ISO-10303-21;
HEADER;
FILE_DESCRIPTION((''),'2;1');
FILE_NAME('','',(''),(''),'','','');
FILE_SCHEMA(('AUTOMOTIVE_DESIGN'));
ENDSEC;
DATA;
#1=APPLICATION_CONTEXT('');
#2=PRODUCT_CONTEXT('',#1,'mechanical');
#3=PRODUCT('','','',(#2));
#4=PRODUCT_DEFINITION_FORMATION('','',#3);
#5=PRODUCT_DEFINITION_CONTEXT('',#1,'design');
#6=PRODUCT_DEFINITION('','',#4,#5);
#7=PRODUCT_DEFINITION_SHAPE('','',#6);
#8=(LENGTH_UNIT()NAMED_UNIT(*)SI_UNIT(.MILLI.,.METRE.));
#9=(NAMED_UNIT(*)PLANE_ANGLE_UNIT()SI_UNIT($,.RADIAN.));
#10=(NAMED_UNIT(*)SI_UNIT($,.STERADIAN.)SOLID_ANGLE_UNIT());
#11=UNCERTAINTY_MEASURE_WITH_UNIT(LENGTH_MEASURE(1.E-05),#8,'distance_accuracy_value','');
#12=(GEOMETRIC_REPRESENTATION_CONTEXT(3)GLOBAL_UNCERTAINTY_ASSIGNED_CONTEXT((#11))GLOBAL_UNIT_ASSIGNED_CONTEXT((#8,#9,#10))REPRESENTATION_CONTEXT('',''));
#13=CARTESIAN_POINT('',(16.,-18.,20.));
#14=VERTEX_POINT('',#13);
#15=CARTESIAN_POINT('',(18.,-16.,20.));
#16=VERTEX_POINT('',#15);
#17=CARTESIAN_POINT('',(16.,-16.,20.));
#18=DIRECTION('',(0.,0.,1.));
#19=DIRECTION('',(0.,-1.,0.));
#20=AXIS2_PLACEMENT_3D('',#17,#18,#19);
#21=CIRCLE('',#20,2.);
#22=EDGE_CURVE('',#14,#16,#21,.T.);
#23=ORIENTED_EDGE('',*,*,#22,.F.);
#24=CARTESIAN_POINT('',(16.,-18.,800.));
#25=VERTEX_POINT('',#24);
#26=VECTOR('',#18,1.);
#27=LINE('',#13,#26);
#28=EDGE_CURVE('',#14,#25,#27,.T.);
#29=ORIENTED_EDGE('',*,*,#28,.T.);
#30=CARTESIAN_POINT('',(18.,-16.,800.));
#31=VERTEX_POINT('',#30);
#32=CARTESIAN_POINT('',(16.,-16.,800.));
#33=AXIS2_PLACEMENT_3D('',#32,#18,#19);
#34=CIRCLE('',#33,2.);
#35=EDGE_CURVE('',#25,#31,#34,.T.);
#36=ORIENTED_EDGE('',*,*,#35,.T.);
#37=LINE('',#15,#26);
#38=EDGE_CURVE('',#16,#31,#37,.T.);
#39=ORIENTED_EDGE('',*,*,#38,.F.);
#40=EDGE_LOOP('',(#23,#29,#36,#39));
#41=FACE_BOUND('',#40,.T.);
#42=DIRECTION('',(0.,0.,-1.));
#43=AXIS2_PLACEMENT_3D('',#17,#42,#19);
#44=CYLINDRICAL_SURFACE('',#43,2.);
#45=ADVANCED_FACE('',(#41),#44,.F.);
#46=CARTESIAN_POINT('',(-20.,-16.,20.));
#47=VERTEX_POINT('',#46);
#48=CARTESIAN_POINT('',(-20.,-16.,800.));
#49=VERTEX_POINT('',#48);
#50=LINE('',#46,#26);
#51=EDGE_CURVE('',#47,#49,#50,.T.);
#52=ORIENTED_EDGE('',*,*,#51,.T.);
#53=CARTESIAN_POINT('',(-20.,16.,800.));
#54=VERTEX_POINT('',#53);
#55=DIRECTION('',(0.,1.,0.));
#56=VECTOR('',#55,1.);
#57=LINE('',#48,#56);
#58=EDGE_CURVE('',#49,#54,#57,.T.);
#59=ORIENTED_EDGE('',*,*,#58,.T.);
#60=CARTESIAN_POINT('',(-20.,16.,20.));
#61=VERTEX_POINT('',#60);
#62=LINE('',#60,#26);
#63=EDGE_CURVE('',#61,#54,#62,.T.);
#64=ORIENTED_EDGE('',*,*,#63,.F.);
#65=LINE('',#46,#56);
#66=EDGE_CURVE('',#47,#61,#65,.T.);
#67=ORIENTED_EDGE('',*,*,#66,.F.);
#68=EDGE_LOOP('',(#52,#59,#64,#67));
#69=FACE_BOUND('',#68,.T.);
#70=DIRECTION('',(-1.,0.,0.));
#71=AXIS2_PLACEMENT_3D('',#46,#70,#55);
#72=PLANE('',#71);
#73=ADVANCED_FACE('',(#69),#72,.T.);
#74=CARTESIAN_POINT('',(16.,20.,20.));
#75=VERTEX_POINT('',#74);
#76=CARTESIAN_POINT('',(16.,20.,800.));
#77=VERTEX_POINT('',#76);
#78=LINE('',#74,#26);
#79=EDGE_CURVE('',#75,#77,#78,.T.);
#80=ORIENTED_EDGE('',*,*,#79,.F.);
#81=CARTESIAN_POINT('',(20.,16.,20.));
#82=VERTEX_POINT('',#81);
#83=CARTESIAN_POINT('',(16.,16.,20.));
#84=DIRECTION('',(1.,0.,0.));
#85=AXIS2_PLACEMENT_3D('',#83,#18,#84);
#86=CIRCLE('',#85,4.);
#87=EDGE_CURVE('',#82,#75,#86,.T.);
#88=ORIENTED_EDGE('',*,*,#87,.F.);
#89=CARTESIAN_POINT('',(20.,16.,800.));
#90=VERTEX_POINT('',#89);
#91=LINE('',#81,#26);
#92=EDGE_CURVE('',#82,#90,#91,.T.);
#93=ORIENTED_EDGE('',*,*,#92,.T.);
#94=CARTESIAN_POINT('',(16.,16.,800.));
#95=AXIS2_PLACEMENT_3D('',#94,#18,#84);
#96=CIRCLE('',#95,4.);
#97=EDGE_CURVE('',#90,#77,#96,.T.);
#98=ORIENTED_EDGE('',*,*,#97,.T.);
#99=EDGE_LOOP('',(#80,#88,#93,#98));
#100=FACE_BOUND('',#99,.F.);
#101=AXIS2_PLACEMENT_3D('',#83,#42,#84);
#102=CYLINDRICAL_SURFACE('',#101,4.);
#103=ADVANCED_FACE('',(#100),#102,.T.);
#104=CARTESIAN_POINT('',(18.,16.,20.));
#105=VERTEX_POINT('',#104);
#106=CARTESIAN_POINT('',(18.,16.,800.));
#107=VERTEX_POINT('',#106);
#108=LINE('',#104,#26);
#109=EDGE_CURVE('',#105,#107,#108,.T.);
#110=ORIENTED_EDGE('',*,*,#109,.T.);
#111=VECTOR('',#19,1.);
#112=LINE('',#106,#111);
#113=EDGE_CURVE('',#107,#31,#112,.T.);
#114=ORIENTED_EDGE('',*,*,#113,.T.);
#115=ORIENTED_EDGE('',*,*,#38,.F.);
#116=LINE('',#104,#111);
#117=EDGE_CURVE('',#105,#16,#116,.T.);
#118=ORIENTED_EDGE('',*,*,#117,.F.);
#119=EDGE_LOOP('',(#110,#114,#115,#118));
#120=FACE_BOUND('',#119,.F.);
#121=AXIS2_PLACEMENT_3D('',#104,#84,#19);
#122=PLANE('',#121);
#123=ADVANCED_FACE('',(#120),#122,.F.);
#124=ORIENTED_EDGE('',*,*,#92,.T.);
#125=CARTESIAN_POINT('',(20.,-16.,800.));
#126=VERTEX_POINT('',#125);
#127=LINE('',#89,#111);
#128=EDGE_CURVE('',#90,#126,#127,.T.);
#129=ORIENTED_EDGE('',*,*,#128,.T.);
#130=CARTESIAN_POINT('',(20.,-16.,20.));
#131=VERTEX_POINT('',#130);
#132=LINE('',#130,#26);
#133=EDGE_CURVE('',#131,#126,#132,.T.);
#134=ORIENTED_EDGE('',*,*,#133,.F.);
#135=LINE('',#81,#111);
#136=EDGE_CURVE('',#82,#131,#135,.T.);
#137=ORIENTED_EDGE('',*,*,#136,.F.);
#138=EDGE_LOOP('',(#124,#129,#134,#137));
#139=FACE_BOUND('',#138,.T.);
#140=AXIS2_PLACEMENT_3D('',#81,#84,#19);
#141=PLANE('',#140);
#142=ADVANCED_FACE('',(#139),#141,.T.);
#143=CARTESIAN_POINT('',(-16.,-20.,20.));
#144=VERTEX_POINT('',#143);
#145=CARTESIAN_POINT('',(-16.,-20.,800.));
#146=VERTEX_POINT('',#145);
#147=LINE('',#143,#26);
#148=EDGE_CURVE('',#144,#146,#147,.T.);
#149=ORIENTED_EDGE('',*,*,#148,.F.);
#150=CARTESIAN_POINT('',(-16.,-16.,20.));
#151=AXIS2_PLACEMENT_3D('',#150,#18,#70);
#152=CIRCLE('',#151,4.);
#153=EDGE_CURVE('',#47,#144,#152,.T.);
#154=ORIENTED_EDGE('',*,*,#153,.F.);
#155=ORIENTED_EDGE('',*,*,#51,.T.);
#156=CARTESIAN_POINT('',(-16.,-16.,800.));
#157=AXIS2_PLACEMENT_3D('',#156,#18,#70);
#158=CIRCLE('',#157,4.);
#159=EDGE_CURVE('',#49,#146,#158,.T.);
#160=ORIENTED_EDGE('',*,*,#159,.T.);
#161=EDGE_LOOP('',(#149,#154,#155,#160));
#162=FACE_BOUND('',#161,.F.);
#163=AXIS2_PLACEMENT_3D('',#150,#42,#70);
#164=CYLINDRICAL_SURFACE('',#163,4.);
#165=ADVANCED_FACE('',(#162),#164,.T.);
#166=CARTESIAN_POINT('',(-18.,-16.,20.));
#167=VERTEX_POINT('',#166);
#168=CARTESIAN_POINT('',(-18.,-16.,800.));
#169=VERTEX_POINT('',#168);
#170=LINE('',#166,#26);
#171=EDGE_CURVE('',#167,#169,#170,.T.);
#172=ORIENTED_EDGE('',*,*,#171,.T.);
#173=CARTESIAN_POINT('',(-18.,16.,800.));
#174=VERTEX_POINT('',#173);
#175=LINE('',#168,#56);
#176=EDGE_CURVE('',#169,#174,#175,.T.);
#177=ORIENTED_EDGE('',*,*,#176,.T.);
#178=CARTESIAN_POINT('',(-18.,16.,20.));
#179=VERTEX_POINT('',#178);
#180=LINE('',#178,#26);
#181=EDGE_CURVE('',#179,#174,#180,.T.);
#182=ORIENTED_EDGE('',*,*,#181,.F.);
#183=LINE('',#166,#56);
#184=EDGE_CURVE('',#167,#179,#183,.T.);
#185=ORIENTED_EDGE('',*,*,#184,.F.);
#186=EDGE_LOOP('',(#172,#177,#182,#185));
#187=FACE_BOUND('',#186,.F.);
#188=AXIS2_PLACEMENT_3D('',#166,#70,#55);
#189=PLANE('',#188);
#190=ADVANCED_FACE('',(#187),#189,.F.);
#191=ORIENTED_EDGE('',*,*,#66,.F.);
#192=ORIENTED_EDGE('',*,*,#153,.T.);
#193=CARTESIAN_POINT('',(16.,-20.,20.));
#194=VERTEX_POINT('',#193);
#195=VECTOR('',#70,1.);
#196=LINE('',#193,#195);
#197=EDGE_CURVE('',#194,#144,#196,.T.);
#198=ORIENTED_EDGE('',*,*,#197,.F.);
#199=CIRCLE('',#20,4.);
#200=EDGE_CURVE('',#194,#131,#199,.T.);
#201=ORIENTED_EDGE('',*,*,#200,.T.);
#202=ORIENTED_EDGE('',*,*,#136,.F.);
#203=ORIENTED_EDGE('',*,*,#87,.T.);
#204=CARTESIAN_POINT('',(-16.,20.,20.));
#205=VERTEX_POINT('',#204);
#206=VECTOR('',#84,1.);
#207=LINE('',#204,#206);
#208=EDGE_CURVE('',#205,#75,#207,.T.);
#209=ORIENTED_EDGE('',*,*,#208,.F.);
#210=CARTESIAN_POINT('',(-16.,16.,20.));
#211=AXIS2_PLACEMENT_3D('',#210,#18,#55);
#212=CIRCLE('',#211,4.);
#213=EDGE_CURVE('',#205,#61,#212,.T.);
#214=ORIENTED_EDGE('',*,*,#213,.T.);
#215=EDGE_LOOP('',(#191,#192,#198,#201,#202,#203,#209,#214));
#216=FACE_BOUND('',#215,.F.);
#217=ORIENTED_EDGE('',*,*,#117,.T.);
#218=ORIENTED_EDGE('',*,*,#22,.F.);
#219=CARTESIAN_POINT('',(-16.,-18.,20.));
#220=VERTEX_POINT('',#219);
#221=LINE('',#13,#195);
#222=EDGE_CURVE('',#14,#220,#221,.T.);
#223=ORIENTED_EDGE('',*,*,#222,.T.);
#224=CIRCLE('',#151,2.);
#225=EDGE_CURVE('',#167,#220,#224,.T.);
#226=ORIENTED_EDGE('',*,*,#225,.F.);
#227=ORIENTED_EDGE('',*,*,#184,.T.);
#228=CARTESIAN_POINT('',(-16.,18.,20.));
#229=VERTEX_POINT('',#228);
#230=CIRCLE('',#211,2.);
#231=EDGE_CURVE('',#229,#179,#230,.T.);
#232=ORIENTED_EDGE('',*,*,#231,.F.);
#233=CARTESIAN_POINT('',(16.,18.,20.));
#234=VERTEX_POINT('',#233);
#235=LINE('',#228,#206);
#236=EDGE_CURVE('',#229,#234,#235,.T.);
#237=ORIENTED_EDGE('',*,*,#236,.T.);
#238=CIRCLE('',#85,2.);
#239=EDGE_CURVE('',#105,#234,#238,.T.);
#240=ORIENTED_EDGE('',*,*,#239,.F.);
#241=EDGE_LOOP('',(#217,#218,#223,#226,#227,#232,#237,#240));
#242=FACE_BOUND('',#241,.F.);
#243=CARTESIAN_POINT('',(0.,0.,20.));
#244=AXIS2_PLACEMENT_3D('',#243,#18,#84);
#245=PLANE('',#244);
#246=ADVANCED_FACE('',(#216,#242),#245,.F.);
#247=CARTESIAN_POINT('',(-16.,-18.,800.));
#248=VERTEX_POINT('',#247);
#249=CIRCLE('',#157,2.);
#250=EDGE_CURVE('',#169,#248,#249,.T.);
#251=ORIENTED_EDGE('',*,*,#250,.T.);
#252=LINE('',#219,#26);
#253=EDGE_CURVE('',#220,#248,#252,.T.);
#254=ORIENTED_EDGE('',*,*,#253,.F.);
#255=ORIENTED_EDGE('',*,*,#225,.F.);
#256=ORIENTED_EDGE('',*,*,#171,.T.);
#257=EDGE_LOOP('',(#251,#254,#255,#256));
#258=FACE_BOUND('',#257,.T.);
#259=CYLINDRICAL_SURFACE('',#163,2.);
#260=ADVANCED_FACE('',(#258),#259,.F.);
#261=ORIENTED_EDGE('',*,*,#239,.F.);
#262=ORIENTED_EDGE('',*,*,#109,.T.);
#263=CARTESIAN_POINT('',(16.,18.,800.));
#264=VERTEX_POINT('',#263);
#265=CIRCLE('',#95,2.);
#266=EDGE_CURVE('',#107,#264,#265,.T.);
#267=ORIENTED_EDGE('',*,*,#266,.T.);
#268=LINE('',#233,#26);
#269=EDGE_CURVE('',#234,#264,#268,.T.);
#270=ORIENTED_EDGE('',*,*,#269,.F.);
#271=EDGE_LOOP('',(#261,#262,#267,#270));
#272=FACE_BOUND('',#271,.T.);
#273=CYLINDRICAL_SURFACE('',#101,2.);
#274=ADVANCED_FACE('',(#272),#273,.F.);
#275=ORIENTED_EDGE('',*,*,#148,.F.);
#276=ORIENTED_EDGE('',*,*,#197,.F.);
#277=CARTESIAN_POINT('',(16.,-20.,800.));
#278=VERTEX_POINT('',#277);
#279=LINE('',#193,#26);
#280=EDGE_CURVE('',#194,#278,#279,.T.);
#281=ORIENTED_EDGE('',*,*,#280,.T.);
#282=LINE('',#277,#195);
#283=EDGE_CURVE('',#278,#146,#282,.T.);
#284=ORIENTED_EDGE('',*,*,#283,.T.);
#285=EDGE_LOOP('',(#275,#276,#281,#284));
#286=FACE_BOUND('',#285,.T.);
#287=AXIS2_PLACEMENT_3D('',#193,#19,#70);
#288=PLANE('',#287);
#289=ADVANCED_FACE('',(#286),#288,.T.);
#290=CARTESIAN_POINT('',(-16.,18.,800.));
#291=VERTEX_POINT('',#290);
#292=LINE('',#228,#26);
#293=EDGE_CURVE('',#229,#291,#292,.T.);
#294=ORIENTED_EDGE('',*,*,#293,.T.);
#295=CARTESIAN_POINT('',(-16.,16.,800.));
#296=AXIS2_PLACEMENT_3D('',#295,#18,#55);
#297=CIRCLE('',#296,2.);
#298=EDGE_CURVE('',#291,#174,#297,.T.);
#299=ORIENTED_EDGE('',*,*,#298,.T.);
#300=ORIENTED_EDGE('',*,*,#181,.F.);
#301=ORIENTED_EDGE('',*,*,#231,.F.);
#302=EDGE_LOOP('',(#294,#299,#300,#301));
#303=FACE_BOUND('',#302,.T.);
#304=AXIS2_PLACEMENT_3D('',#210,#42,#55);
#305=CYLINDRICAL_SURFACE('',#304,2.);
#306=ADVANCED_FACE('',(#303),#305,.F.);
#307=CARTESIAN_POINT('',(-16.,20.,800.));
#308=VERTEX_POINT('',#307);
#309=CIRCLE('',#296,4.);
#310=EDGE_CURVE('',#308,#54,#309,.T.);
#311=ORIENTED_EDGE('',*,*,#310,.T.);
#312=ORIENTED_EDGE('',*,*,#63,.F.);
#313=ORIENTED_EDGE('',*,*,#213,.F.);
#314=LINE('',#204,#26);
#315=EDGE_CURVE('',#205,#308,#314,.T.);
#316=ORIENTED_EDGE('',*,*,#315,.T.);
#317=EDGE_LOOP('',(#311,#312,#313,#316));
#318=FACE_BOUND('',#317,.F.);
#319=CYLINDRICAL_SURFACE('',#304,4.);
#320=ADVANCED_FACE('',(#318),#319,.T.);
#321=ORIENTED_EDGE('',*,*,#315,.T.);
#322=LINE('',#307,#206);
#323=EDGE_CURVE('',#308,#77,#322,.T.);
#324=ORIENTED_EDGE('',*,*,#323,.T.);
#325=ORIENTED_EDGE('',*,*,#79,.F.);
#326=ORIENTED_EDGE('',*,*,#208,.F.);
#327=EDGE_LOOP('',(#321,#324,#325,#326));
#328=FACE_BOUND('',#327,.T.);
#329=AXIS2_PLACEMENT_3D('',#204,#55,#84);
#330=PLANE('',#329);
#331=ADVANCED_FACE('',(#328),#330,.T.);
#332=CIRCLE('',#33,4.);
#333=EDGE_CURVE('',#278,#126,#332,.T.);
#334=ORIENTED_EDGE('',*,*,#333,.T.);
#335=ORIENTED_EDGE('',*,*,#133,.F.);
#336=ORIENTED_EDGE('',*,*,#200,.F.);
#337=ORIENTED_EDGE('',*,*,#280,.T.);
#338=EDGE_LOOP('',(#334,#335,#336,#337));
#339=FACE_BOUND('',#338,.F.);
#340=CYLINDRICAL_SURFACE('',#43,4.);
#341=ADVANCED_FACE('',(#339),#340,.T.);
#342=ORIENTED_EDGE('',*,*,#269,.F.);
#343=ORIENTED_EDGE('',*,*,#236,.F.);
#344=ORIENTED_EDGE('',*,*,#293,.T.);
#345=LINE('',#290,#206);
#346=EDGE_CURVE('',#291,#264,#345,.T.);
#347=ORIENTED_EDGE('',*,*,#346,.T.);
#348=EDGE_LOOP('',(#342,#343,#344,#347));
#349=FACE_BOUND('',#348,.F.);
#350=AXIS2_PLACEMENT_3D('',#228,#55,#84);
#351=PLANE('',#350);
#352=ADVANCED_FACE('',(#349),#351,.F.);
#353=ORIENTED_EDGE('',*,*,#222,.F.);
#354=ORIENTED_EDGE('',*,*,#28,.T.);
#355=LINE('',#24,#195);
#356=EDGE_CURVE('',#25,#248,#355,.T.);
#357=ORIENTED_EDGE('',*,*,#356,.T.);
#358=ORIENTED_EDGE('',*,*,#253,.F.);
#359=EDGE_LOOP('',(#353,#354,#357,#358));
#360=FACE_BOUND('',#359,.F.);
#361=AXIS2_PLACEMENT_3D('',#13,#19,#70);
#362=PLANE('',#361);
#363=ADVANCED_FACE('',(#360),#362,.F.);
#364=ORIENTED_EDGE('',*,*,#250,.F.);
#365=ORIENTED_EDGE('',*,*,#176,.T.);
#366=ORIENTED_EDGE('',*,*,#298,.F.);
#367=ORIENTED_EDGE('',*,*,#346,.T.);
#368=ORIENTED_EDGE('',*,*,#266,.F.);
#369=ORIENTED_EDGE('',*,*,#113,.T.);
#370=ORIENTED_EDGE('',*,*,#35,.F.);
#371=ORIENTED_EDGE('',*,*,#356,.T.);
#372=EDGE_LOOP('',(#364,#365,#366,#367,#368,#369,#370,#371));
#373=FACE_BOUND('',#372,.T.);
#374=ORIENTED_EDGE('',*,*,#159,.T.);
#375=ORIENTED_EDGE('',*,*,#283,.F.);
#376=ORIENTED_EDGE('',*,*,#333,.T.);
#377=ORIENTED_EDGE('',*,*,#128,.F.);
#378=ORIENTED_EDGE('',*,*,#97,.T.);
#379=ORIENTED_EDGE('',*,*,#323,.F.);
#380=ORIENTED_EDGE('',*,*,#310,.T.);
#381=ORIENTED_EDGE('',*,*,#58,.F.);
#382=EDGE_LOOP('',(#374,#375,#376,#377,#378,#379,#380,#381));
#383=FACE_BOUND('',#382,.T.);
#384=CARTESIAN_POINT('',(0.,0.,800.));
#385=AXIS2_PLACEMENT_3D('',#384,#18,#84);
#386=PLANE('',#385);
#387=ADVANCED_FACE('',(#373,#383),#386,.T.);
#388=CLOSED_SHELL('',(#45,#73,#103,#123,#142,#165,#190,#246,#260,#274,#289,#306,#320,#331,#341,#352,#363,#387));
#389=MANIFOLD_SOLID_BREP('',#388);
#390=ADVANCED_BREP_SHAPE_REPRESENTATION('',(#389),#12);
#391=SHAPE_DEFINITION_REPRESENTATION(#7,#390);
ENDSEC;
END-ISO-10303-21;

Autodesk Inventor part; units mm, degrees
ref_plane "Start Plane" through (0, 0, 20) normal (0, 0, 1) x (1, 0, 0)
ref_plane "End Plane" through (0, 0, 800) normal (0, 0, 1) x (1, 0, 0)
sketch "Sketch" plane through (0, 0, 0) normal (0, 0, 1) x (1, 0, 0)
  line L0 (-20, -16) -> (-20, 16)
  line L1 (-16, 20) -> (16, 20)
  line L2 (20, 16) -> (20, -16)
  line L3 (16, -20) -> (-16, -20)
  arc A0 (-20, -16) -> (-16, -20) centre (-16, -16) ccw
  arc A1 (20, 16) -> (16, 20) centre (16, 16) ccw
  arc A2 (-16, 20) -> (-20, 16) centre (-16, 16) ccw
  arc A3 (16, -20) -> (20, -16) centre (16, -16) ccw
  arc A4 (-16, 18) -> (-18, 16) centre (-16, 16) ccw
  line L4 (-16, 18) -> (16, 18)
  arc A5 (18, 16) -> (16, 18) centre (16, 16) ccw
  line L5 (18, 16) -> (18, -16)
  arc A6 (16, -18) -> (18, -16) centre (16, -16) ccw
  line L6 (16, -18) -> (-16, -18)
  arc A7 (-18, -16) -> (-16, -18) centre (-16, -16) ccw
  line L7 (-18, -16) -> (-18, 16)
  line L8 (0, 29.1598) -> (0, -29.1598) construction
  line L9 (-29.1598, 0) -> (29.1598, 0) construction
  dimension "d7" = 4
  dimension "d9" = 40
  dimension "d11" = 40
  dimension "d12" = 2
  dimension "d15" = 20
  dimension "d16" = 20
extrude "Body" add sketch "Sketch" along normal up to surface (780 mm away) from surface at 20
sketch "Sketch3" plane through (0, 0, 0) normal (0, 0, 1) x (1, 0, 0)
  line L0 (0, 0) -> (10, 0)
ref_plane "Work Plane3" through (0, 0, 0) normal (0, -1, 0) x (1, 0, 0)
sketch "Sketch4" plane through (0, 0, 0) normal (0, -1, 0) x (1, 0, 0)
  line L0 (-2, 20) -> (12, 20)
  line L1 (-2, 800) -> (12, 800)
  dimension "d18" = 780
ref_plane "Work Plane4" through (1184, 0, 20) normal (0, 0, -1) x (-1, 0, 0)
split "Split1" plane through (1184, 0, 20) removes the side toward (0, 0, -1)
equation "\"d7\" = G_IR"
equation "\"d9\" = G_W"
equation "\"d11\" = G_H"
equation "\"d12\" = G_T"
equation "\"d15\" = 0.5 * d9"
equation "\"d16\" = 0.5 * d11"
equation "\"d3\" = G_L"
equation "\"G_W\" = 40"
equation "\"G_H\" = 40"
equation "\"G_T\" = 2"
equation "\"G_IR\" = 4"
equation "\"G_L\" = d18"
equation "\"G_OFFSET_END\" = 0"
properties part number "ISO 10799-2 - 40x40x2 - 780" material "Steel, Mild"
